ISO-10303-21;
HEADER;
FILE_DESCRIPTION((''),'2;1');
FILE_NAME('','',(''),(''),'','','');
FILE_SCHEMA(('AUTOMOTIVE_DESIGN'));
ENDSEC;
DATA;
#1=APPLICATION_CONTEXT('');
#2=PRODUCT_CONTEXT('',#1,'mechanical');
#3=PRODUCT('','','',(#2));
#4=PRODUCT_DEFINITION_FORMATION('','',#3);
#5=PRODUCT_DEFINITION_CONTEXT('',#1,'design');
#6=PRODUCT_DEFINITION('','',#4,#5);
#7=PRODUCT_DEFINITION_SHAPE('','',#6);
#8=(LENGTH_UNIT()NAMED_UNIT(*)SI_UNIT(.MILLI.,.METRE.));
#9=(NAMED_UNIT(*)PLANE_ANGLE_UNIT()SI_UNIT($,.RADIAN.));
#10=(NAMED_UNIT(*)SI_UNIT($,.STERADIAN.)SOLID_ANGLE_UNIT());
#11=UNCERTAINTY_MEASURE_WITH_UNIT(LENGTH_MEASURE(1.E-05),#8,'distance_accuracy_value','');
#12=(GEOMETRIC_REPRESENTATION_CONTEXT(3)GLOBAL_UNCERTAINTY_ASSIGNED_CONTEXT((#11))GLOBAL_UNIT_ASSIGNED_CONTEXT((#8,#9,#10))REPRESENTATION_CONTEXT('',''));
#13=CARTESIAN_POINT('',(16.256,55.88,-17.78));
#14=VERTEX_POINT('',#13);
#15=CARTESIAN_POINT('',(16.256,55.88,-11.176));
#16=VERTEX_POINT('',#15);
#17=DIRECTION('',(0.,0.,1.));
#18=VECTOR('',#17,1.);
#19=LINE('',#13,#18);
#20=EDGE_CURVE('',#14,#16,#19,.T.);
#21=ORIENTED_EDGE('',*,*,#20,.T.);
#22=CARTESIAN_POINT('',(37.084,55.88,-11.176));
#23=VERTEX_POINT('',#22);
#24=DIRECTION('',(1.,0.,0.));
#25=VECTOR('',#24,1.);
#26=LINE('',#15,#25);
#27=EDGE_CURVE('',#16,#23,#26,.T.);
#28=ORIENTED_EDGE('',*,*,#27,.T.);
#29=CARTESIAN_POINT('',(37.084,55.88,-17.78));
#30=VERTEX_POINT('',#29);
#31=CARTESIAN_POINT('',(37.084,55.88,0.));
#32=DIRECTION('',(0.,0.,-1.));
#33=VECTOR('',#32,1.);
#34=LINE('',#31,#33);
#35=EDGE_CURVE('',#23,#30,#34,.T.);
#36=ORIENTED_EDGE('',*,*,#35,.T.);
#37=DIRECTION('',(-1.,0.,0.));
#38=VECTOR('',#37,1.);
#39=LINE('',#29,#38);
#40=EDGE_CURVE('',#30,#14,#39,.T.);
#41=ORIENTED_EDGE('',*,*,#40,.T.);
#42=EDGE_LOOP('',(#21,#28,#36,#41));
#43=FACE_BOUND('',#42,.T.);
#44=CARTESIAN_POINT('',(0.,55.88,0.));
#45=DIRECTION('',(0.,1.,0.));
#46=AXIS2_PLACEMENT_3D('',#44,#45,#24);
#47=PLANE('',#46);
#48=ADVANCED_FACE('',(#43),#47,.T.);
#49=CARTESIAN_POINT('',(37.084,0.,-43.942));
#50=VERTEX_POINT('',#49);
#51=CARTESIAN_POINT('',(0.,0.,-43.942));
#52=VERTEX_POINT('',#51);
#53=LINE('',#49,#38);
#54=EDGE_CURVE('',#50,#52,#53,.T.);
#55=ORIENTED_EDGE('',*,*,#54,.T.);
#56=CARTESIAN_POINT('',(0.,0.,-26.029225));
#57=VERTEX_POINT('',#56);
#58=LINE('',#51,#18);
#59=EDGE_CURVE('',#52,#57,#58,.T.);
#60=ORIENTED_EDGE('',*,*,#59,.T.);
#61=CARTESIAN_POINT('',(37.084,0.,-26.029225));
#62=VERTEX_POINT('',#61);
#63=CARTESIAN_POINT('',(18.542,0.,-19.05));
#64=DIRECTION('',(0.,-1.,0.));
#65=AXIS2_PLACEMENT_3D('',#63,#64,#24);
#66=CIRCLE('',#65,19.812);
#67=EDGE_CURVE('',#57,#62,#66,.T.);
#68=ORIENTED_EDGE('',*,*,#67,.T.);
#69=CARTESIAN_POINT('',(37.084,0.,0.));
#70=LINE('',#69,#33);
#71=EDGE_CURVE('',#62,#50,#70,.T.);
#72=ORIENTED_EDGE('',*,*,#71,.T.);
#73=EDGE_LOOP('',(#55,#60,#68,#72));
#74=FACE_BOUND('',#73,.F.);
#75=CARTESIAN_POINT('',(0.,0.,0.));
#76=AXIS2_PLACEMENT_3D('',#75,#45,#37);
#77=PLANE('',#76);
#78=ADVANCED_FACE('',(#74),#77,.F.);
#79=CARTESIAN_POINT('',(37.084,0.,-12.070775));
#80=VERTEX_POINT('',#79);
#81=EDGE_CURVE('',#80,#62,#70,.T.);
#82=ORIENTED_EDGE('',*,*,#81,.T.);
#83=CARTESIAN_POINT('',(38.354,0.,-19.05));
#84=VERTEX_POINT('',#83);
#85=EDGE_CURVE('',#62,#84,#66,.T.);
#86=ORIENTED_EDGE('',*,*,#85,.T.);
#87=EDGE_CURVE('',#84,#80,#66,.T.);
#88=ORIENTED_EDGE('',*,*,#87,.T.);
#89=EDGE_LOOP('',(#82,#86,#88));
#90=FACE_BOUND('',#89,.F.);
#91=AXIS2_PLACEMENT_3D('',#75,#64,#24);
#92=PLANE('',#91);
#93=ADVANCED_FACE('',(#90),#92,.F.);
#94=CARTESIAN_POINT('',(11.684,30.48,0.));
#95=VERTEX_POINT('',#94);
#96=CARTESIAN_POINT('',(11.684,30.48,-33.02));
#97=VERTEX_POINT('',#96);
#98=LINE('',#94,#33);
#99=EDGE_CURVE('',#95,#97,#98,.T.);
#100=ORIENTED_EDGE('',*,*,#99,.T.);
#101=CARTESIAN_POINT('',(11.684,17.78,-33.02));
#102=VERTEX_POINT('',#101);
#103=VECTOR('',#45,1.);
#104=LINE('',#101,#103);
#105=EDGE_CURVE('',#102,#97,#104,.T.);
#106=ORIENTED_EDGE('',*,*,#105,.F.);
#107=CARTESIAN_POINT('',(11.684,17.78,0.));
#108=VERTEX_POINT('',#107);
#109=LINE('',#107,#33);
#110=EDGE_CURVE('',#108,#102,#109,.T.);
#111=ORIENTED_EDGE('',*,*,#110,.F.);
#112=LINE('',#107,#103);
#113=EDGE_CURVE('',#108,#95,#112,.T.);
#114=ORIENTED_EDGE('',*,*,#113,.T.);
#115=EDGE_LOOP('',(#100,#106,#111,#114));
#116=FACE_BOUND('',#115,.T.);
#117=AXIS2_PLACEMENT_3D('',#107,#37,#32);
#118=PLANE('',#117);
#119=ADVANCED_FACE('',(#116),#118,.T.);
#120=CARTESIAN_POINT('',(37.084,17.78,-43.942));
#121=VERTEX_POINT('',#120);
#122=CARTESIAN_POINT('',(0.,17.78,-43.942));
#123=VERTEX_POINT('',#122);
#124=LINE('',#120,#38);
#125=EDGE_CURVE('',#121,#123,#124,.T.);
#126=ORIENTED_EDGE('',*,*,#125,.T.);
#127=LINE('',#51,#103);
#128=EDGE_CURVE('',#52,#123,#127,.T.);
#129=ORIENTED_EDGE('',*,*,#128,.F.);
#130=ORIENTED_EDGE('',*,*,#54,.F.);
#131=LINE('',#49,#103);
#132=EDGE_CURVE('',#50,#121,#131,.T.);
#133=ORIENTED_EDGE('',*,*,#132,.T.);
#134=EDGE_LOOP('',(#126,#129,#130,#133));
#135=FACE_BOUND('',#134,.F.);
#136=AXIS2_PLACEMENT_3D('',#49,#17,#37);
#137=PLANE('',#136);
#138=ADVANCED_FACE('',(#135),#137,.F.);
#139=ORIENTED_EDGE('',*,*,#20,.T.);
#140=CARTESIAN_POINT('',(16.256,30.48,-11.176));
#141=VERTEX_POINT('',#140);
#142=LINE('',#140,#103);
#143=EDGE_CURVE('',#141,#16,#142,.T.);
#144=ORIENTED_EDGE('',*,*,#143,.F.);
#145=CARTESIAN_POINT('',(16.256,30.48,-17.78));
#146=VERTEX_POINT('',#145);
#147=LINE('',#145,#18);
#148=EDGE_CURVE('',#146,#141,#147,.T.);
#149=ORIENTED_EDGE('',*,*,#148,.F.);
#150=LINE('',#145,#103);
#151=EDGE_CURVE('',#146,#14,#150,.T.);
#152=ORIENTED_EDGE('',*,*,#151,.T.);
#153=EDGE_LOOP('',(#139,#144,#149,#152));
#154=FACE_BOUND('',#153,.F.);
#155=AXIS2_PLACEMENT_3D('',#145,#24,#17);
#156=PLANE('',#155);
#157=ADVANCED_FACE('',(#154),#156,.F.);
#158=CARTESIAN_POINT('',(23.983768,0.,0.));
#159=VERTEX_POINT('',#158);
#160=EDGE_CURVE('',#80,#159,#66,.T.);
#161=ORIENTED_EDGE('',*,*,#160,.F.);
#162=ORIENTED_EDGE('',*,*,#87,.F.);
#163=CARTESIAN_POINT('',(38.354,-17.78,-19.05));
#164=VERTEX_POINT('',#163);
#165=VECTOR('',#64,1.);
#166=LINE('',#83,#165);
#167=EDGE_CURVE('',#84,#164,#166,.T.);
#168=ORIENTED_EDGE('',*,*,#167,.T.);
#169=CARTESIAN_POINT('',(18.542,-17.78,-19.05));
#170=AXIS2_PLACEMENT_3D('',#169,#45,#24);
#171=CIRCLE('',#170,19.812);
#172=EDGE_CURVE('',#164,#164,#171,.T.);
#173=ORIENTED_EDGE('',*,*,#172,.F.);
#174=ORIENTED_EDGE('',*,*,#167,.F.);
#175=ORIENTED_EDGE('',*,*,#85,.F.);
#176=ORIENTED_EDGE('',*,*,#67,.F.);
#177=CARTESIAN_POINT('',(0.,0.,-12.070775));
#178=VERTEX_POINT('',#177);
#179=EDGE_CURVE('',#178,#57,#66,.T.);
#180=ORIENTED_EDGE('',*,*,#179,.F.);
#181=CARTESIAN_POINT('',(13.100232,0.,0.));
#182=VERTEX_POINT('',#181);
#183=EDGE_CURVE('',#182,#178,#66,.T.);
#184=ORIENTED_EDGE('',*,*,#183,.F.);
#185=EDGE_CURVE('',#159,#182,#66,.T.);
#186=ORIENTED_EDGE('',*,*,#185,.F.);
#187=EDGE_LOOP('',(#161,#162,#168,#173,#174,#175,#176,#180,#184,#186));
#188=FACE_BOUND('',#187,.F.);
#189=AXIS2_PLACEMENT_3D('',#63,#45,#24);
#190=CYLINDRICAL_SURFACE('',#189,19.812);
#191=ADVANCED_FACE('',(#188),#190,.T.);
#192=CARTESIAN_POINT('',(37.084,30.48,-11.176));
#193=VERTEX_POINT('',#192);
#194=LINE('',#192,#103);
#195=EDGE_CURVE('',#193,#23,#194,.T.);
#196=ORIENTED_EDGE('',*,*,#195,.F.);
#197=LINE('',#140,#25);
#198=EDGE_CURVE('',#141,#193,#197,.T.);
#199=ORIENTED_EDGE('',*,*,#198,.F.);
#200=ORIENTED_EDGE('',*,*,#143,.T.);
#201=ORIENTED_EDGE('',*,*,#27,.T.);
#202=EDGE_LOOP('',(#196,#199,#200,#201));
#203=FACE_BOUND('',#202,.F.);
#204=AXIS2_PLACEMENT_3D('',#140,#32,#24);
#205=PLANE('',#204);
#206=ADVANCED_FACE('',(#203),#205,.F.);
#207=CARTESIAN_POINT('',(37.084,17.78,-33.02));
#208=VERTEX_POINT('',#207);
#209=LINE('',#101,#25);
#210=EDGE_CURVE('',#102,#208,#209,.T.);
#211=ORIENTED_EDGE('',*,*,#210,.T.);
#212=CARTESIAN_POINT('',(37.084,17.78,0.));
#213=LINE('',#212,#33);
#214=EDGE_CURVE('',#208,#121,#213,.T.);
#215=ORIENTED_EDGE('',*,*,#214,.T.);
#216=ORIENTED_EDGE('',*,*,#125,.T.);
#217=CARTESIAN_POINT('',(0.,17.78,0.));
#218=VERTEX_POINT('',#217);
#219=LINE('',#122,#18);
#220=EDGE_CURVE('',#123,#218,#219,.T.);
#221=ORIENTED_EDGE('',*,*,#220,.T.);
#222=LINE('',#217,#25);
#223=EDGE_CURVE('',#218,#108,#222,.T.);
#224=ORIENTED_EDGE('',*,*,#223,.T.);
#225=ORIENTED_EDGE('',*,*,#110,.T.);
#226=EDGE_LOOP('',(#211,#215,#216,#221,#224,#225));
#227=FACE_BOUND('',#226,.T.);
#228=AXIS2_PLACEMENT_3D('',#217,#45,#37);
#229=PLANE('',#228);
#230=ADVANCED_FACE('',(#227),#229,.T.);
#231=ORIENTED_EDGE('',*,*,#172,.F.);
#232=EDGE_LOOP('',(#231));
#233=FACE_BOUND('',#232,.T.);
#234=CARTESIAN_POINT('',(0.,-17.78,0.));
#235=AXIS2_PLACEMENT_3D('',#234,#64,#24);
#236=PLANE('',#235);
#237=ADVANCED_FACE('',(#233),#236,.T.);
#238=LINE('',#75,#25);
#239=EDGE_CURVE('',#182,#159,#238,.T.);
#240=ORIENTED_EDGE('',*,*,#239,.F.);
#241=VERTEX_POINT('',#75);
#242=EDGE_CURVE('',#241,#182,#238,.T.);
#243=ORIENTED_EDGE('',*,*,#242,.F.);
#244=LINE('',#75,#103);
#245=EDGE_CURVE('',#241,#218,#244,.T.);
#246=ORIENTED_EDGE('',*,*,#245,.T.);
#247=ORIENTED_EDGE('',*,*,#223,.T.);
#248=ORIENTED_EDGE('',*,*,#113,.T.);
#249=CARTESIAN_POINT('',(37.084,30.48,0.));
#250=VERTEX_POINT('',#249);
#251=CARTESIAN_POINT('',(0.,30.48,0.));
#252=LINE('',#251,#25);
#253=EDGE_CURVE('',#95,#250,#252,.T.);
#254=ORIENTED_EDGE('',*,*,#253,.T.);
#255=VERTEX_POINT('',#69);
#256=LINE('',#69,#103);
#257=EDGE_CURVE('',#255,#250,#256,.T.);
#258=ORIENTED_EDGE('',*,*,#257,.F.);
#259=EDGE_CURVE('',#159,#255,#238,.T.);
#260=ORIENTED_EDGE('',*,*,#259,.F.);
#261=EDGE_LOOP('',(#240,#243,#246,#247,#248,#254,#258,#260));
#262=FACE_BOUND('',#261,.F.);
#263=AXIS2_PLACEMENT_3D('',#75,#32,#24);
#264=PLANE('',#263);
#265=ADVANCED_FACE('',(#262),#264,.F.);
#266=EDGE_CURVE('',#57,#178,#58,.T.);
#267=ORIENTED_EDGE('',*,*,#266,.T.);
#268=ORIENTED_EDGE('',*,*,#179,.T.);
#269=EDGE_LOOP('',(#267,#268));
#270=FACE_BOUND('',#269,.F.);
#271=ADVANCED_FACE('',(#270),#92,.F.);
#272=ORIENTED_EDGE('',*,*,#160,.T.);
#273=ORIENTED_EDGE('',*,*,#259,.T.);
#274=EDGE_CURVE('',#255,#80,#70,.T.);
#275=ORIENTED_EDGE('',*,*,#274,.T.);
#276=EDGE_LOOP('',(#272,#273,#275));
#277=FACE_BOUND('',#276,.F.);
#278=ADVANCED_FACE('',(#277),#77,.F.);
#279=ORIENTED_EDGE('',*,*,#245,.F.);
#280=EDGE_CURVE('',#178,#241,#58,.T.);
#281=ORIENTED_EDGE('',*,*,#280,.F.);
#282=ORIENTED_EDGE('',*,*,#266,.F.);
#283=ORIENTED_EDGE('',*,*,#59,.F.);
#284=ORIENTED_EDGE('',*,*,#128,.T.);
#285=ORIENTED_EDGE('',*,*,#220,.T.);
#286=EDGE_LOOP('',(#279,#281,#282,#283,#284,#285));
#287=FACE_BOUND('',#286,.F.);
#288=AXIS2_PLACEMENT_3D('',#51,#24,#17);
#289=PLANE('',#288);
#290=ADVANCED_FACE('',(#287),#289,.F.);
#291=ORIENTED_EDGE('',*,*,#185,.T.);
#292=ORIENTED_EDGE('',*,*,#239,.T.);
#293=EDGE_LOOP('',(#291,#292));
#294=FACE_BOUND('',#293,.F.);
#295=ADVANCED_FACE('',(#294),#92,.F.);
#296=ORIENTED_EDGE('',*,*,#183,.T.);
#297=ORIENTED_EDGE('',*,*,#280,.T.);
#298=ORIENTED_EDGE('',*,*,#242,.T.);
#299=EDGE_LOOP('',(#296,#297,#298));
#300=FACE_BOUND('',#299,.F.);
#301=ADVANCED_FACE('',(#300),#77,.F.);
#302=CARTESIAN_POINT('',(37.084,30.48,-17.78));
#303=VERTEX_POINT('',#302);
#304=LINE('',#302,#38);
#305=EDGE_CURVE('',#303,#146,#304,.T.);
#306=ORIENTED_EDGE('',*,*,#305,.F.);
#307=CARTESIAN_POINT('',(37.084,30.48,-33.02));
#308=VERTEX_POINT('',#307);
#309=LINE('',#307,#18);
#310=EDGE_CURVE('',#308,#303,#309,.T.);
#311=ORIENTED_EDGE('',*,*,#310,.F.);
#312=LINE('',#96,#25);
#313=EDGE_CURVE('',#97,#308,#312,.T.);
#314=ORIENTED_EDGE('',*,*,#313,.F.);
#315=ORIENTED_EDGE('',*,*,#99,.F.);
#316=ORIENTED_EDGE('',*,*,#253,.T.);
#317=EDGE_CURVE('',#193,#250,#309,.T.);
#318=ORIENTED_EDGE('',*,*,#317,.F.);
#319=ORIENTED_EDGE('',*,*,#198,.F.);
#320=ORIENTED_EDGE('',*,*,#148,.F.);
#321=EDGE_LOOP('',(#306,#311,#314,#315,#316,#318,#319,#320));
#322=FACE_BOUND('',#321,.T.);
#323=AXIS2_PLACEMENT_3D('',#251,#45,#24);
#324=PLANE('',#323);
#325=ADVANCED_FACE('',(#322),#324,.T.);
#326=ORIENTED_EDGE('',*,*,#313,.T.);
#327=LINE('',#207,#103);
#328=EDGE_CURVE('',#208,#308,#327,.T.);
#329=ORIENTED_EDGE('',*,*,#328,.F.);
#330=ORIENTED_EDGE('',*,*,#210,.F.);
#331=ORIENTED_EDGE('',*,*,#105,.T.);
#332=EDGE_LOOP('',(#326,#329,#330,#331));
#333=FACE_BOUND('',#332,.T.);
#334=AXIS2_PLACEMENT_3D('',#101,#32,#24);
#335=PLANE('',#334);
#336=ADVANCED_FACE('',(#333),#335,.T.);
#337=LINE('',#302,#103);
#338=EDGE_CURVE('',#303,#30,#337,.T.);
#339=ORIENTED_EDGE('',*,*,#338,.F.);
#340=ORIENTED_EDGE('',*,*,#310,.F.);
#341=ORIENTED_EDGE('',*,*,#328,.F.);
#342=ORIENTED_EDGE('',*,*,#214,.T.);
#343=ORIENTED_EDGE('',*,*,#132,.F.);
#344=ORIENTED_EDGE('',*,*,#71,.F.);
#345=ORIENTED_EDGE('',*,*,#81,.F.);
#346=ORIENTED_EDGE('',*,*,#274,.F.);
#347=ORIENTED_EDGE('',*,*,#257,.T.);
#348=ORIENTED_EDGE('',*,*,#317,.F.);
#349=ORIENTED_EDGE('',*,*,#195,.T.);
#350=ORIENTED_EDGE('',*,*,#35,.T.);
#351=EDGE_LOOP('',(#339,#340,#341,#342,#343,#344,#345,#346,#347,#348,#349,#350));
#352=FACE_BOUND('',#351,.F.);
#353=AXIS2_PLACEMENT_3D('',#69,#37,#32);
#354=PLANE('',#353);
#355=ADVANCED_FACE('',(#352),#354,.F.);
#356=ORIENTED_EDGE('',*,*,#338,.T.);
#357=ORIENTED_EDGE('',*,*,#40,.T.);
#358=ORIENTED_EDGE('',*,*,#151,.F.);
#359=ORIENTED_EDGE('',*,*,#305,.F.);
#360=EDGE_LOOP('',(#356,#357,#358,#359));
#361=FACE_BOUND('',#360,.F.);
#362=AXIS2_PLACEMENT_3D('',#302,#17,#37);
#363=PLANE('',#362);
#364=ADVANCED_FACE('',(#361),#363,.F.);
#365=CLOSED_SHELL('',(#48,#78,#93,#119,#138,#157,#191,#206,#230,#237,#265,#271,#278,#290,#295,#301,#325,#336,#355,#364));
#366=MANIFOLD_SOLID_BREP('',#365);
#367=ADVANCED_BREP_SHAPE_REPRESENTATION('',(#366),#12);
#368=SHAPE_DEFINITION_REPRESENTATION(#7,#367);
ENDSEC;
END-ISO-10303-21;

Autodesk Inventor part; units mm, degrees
ref_plane "YZ Plane" through (0, 0, 0) normal (1, 0, 0) x (0, 1, 0)
ref_plane "XZ Plane" through (0, 0, 0) normal (0, 1, 0) x (-1, 0, 0)
ref_plane "XY Plane" through (0, 0, 0) normal (0, 0, 1) x (1, 0, 0)
sketch "Sketch1" plane through (0, 0, 0) normal (0, 1, 0) x (-1, 0, 0)
  line L0 (0, 0) -> (-37.084, 0)
  line L1 (-37.084, 0) -> (-37.084, -43.942)
  line L2 (-37.084, -43.942) -> (0, -43.942)
  line L3 (0, -43.942) -> (0, 0)
  dimension "d0" = 43.942
  dimension "d1" = 37.084
extrude "Extrusion1" add sketch "Sketch1" along normal blind 17.78
sketch "Sketch2" plane through (0, 17.78, 0) normal (0, 1, 0) x (1, 0, 0)
  line L0 (0, 0) -> (37.084, 0) projected
  line L1 (37.084, 0) -> (11.684, 0)
  line L2 (11.684, 0) -> (11.684, 33.02)
  line L3 (11.684, 33.02) -> (37.084, 33.02)
  line L4 (37.084, 33.02) -> (37.084, 0)
  dimension "d4" = 33.02
  dimension "d5" = 25.4
extrude "Extrusion2" add sketch "Sketch2" along normal blind 12.7
sketch "Sketch3" plane through (0, 30.48, 0) normal (0, 1, 0) x (1, 0, 0)
  line L0 (37.084, 0) -> (37.084, 43.942) projected
  line L1 (16.256, 11.176) -> (37.084, 11.176)
  line L2 (37.084, 11.176) -> (37.084, 17.78)
  line L3 (37.084, 17.78) -> (16.256, 17.78)
  line L4 (16.256, 17.78) -> (16.256, 11.176)
  line L5 (11.684, 0) -> (37.084, 0) projected
  point P0 (0, 0)
  dimension "d8" = 17.78
  dimension "d9" = 6.604
  dimension "d10" = 20.828
extrude "Extrusion3" add sketch "Sketch3" along normal blind 25.4
sketch "Sketch4" plane through (0, 0, -43.942) normal (-1, 0, 0) x (0, 0, 1)
  line L0 (7.348, 15.289) -> (38.9211, 15.289) construction
  line L1 (38.9211, 15.289) -> (38.9211, 2.9854) construction
  line L2 (38.9211, 2.9854) -> (7.348, 2.9854) construction
  line L3 (7.348, 2.9854) -> (7.348, 15.289) construction
  point P0 (43.942, 0)
sketch "Sketch5" plane through (0, 0, 0) normal (0, -1, 0) x (1, 0, 0)
  circle A0 centre (18.542, -19.05) radius 19.812
  line L0 (0, 0) -> (37.084, 0) projected
  line L1 (37.084, -43.942) -> (0, -43.942) construction
  line L2 (18.542, -43.942) -> (18.542, 0) construction
  line L3 (11.684, 0) -> (37.084, 0) construction
  dimension "d13" = 39.624
  dimension "d14" = 19.05
extrude "Extrusion4" add sketch "Sketch5" along normal blind 17.78
properties part number "sierr olympic"
